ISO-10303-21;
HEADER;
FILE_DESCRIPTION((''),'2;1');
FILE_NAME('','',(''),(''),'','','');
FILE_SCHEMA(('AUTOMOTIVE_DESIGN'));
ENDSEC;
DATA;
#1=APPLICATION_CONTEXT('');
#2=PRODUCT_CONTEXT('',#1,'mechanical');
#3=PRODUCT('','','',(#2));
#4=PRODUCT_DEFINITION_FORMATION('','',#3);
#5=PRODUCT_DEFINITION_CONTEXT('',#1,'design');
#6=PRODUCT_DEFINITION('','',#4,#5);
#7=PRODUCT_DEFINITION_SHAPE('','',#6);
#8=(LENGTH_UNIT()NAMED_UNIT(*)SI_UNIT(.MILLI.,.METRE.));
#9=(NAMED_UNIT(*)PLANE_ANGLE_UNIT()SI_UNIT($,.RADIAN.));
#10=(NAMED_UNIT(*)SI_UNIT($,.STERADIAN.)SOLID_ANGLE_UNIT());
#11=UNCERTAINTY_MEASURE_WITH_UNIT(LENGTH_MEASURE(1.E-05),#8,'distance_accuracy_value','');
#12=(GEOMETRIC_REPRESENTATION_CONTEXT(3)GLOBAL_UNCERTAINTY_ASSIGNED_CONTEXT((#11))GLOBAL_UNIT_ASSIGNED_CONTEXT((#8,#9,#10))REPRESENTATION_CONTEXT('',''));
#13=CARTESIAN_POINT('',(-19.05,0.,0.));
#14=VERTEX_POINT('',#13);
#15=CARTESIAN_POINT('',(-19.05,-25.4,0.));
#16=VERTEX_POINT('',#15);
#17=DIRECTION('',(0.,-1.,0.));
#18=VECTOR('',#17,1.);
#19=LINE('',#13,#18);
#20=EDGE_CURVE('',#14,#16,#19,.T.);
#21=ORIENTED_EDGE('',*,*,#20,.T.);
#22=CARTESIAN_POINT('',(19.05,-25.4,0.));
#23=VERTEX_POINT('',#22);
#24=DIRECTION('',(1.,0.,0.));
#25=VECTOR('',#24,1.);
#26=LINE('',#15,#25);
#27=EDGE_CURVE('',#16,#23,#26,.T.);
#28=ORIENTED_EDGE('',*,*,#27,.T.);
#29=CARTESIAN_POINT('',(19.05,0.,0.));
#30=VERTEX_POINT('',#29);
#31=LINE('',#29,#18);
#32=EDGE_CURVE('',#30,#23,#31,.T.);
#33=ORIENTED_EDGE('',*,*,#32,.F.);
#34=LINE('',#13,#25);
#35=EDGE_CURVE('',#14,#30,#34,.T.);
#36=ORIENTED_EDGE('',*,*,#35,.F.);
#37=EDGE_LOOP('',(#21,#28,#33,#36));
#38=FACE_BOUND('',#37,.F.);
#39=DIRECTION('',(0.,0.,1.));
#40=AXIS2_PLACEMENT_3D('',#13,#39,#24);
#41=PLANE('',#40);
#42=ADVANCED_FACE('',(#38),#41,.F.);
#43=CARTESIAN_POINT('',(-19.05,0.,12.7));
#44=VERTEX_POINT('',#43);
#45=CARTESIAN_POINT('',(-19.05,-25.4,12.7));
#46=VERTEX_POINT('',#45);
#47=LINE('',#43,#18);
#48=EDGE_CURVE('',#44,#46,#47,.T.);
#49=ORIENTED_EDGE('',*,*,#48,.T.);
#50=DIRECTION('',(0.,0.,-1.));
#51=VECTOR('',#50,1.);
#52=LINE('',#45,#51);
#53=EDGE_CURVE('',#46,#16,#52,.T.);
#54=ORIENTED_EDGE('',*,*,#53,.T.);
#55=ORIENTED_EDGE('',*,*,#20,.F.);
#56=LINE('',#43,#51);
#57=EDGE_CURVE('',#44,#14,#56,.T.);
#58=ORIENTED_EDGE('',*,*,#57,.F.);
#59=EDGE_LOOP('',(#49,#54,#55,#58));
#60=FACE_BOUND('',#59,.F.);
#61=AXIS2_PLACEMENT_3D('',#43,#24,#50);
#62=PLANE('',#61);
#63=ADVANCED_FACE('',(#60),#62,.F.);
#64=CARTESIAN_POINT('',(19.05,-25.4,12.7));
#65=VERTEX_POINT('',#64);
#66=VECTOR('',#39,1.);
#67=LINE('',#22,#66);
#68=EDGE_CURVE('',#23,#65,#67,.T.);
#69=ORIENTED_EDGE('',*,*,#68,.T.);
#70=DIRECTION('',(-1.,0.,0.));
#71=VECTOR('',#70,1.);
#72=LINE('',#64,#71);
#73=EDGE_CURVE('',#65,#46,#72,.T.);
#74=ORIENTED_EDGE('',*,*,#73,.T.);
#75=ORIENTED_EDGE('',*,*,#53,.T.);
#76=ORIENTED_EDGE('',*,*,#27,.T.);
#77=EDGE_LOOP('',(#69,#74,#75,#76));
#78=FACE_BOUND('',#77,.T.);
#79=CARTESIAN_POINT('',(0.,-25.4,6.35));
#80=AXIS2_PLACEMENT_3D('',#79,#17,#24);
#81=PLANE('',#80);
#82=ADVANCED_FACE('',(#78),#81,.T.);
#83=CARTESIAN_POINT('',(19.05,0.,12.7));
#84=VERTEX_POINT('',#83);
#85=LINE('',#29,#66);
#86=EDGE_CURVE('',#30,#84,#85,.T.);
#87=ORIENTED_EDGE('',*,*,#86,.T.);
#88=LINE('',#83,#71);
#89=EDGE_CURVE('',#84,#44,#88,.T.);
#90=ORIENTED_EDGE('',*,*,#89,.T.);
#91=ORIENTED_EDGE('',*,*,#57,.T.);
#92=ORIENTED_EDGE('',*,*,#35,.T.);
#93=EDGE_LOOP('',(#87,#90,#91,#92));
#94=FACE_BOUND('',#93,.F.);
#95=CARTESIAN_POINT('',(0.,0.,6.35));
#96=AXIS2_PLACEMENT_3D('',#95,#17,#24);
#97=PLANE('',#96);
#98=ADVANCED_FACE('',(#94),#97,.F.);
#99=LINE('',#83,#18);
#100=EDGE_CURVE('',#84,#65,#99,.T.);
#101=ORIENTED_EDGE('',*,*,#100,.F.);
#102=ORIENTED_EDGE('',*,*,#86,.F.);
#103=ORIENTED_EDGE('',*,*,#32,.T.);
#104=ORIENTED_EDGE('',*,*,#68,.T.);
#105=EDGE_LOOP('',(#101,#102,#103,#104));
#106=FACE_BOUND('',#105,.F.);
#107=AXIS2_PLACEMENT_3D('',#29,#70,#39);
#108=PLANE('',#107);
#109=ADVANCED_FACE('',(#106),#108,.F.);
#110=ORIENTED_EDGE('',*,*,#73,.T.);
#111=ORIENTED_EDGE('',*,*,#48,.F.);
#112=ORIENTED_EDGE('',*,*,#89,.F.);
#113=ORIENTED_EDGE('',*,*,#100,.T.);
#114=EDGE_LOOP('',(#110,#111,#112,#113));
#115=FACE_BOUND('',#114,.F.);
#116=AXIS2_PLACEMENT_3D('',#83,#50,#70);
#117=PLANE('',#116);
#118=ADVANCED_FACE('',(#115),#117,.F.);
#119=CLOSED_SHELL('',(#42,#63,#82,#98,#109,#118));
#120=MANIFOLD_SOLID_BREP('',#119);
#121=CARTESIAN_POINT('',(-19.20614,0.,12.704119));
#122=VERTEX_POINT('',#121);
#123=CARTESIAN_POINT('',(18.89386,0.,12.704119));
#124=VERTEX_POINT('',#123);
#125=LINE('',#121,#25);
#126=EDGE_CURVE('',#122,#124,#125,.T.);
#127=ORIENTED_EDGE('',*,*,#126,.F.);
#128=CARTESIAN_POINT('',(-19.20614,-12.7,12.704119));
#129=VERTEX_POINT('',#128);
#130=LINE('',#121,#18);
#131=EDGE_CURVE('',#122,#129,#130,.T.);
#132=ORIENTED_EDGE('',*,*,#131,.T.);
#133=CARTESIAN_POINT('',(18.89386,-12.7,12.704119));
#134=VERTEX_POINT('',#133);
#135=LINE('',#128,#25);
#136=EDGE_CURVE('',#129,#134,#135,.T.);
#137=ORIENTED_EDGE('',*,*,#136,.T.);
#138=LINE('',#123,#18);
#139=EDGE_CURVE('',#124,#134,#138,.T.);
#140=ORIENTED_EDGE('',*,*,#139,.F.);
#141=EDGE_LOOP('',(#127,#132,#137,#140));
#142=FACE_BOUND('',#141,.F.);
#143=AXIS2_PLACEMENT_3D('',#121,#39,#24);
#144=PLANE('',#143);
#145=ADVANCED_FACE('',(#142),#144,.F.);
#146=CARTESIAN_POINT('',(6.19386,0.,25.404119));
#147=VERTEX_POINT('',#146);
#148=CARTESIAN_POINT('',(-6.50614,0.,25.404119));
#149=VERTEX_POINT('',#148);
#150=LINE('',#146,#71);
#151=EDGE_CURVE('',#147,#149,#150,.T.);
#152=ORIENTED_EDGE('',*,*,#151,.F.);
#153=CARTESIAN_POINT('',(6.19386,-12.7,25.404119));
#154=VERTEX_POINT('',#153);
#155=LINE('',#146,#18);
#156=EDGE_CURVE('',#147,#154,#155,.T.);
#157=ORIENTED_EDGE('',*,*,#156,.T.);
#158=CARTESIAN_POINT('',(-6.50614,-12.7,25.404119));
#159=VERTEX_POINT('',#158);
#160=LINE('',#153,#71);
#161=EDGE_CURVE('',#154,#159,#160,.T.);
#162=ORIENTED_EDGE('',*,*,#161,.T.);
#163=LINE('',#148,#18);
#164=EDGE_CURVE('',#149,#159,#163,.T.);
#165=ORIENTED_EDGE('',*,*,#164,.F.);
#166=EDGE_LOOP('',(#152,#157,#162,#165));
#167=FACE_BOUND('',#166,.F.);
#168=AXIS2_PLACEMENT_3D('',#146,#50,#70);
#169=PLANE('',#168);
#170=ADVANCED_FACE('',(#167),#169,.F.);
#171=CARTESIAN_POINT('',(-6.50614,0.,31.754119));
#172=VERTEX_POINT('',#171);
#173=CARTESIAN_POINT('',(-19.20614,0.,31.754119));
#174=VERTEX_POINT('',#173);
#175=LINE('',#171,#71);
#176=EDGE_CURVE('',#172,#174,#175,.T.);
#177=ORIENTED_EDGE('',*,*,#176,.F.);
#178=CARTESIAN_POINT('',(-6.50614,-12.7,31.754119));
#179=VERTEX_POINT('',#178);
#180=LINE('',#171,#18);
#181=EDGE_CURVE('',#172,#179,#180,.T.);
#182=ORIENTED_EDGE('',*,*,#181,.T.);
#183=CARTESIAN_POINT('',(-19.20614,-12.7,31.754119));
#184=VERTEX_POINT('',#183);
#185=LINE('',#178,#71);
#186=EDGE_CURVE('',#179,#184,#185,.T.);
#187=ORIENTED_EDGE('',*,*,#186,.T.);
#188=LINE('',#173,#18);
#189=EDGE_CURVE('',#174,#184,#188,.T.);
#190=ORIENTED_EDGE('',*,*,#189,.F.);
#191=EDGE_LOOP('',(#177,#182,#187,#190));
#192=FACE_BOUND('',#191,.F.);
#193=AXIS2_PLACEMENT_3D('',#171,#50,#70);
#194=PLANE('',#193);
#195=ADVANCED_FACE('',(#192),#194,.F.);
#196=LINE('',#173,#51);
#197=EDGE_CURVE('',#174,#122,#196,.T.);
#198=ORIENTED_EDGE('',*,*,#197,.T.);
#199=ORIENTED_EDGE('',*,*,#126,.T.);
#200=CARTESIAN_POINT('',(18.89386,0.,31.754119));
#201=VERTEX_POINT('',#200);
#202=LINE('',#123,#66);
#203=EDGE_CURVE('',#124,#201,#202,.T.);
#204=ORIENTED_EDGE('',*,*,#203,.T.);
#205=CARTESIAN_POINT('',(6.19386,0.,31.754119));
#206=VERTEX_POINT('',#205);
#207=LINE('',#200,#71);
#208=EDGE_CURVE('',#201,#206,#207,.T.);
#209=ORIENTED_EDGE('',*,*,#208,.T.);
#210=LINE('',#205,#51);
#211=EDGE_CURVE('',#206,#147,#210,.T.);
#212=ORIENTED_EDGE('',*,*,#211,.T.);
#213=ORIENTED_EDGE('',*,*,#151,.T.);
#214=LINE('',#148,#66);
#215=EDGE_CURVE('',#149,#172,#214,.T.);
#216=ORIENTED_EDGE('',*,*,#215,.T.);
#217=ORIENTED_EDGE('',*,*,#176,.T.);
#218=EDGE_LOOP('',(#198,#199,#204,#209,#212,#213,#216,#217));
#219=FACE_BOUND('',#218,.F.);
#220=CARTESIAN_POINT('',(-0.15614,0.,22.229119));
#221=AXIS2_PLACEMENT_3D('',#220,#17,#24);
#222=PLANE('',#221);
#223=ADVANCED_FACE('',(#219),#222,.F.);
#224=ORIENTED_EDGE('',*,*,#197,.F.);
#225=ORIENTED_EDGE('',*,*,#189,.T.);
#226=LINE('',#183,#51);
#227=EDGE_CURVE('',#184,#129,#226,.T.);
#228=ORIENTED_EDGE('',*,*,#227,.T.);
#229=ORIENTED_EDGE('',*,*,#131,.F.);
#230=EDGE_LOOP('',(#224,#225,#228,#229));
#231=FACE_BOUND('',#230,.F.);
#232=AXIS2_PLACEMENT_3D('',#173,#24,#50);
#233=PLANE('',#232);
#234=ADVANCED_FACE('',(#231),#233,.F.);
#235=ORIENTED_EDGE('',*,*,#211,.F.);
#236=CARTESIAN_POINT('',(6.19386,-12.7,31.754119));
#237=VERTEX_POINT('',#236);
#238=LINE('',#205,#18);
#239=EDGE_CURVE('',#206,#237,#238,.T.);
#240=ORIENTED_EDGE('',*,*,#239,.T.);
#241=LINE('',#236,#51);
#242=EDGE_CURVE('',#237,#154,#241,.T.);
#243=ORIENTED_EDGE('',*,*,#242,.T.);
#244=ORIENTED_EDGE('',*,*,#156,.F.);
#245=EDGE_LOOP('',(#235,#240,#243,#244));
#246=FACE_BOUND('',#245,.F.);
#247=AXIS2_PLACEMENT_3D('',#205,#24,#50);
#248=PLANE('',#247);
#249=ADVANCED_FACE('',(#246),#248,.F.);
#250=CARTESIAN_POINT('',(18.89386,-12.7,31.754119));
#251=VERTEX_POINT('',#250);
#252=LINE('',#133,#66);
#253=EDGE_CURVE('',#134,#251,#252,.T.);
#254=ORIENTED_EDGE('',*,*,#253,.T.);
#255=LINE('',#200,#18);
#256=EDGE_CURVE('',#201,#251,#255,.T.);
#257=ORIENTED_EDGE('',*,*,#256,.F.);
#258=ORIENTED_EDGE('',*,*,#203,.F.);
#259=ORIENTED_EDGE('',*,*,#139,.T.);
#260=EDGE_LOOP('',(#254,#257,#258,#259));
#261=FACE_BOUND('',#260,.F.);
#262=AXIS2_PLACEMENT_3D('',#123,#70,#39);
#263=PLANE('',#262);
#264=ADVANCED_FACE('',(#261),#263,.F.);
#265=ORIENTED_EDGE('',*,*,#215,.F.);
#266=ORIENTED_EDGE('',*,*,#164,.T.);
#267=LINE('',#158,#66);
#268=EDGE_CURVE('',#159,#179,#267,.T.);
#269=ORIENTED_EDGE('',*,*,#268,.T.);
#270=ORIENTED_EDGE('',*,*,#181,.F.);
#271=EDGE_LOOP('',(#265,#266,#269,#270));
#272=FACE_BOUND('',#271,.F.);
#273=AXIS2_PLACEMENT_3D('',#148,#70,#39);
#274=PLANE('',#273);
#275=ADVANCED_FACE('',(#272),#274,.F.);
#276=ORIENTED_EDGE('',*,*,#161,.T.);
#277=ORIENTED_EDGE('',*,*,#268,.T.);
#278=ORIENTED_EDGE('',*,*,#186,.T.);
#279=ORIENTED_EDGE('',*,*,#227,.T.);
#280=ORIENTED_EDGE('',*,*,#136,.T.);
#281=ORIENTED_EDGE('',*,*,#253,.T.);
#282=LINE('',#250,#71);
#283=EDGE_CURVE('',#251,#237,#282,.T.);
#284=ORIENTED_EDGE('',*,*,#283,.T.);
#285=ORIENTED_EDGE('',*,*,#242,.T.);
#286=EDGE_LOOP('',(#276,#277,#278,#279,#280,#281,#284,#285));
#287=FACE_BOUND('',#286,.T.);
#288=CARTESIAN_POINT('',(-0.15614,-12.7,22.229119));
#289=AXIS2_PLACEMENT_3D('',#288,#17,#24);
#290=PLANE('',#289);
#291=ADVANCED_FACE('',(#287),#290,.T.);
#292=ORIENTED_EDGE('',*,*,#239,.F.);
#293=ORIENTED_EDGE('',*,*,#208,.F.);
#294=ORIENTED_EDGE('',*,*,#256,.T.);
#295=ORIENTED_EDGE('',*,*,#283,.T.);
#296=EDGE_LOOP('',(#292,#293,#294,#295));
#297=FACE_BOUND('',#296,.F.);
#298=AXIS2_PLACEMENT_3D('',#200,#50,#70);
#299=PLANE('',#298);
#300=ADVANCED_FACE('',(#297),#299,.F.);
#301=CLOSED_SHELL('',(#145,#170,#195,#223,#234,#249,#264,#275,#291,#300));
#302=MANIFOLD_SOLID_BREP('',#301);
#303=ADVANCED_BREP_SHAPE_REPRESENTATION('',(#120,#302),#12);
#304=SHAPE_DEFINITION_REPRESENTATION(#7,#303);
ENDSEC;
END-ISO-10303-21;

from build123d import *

# Parameters (mm, degrees)
F1_DEPTH = 25.4
F3_DEPTH = 12.7


with BuildPart() as f1:
    # F0 (on Front) → F1 (new body)
    with BuildSketch(Plane.XZ):
        Polygon((-19.05, 0), (0, 0), (19.05, 0), (19.05, 12.7), (-19.05, 12.7), align=None)
    extrude(amount=F1_DEPTH)


with BuildPart() as f3:
    # F2 (on Front) → F3 (new body)
    with BuildSketch(Plane.XZ):
        Polygon((-19.20614, 31.754119), (-19.20614, 12.704119), (18.89386, 12.704119), (18.89386, 31.754119), (6.19386, 31.754119), (6.19386, 25.404119), (-6.50614, 25.404119), (-6.50614, 31.754119), align=None)
    extrude(amount=F3_DEPTH)


solid = Compound([f1.part, f3.part])
